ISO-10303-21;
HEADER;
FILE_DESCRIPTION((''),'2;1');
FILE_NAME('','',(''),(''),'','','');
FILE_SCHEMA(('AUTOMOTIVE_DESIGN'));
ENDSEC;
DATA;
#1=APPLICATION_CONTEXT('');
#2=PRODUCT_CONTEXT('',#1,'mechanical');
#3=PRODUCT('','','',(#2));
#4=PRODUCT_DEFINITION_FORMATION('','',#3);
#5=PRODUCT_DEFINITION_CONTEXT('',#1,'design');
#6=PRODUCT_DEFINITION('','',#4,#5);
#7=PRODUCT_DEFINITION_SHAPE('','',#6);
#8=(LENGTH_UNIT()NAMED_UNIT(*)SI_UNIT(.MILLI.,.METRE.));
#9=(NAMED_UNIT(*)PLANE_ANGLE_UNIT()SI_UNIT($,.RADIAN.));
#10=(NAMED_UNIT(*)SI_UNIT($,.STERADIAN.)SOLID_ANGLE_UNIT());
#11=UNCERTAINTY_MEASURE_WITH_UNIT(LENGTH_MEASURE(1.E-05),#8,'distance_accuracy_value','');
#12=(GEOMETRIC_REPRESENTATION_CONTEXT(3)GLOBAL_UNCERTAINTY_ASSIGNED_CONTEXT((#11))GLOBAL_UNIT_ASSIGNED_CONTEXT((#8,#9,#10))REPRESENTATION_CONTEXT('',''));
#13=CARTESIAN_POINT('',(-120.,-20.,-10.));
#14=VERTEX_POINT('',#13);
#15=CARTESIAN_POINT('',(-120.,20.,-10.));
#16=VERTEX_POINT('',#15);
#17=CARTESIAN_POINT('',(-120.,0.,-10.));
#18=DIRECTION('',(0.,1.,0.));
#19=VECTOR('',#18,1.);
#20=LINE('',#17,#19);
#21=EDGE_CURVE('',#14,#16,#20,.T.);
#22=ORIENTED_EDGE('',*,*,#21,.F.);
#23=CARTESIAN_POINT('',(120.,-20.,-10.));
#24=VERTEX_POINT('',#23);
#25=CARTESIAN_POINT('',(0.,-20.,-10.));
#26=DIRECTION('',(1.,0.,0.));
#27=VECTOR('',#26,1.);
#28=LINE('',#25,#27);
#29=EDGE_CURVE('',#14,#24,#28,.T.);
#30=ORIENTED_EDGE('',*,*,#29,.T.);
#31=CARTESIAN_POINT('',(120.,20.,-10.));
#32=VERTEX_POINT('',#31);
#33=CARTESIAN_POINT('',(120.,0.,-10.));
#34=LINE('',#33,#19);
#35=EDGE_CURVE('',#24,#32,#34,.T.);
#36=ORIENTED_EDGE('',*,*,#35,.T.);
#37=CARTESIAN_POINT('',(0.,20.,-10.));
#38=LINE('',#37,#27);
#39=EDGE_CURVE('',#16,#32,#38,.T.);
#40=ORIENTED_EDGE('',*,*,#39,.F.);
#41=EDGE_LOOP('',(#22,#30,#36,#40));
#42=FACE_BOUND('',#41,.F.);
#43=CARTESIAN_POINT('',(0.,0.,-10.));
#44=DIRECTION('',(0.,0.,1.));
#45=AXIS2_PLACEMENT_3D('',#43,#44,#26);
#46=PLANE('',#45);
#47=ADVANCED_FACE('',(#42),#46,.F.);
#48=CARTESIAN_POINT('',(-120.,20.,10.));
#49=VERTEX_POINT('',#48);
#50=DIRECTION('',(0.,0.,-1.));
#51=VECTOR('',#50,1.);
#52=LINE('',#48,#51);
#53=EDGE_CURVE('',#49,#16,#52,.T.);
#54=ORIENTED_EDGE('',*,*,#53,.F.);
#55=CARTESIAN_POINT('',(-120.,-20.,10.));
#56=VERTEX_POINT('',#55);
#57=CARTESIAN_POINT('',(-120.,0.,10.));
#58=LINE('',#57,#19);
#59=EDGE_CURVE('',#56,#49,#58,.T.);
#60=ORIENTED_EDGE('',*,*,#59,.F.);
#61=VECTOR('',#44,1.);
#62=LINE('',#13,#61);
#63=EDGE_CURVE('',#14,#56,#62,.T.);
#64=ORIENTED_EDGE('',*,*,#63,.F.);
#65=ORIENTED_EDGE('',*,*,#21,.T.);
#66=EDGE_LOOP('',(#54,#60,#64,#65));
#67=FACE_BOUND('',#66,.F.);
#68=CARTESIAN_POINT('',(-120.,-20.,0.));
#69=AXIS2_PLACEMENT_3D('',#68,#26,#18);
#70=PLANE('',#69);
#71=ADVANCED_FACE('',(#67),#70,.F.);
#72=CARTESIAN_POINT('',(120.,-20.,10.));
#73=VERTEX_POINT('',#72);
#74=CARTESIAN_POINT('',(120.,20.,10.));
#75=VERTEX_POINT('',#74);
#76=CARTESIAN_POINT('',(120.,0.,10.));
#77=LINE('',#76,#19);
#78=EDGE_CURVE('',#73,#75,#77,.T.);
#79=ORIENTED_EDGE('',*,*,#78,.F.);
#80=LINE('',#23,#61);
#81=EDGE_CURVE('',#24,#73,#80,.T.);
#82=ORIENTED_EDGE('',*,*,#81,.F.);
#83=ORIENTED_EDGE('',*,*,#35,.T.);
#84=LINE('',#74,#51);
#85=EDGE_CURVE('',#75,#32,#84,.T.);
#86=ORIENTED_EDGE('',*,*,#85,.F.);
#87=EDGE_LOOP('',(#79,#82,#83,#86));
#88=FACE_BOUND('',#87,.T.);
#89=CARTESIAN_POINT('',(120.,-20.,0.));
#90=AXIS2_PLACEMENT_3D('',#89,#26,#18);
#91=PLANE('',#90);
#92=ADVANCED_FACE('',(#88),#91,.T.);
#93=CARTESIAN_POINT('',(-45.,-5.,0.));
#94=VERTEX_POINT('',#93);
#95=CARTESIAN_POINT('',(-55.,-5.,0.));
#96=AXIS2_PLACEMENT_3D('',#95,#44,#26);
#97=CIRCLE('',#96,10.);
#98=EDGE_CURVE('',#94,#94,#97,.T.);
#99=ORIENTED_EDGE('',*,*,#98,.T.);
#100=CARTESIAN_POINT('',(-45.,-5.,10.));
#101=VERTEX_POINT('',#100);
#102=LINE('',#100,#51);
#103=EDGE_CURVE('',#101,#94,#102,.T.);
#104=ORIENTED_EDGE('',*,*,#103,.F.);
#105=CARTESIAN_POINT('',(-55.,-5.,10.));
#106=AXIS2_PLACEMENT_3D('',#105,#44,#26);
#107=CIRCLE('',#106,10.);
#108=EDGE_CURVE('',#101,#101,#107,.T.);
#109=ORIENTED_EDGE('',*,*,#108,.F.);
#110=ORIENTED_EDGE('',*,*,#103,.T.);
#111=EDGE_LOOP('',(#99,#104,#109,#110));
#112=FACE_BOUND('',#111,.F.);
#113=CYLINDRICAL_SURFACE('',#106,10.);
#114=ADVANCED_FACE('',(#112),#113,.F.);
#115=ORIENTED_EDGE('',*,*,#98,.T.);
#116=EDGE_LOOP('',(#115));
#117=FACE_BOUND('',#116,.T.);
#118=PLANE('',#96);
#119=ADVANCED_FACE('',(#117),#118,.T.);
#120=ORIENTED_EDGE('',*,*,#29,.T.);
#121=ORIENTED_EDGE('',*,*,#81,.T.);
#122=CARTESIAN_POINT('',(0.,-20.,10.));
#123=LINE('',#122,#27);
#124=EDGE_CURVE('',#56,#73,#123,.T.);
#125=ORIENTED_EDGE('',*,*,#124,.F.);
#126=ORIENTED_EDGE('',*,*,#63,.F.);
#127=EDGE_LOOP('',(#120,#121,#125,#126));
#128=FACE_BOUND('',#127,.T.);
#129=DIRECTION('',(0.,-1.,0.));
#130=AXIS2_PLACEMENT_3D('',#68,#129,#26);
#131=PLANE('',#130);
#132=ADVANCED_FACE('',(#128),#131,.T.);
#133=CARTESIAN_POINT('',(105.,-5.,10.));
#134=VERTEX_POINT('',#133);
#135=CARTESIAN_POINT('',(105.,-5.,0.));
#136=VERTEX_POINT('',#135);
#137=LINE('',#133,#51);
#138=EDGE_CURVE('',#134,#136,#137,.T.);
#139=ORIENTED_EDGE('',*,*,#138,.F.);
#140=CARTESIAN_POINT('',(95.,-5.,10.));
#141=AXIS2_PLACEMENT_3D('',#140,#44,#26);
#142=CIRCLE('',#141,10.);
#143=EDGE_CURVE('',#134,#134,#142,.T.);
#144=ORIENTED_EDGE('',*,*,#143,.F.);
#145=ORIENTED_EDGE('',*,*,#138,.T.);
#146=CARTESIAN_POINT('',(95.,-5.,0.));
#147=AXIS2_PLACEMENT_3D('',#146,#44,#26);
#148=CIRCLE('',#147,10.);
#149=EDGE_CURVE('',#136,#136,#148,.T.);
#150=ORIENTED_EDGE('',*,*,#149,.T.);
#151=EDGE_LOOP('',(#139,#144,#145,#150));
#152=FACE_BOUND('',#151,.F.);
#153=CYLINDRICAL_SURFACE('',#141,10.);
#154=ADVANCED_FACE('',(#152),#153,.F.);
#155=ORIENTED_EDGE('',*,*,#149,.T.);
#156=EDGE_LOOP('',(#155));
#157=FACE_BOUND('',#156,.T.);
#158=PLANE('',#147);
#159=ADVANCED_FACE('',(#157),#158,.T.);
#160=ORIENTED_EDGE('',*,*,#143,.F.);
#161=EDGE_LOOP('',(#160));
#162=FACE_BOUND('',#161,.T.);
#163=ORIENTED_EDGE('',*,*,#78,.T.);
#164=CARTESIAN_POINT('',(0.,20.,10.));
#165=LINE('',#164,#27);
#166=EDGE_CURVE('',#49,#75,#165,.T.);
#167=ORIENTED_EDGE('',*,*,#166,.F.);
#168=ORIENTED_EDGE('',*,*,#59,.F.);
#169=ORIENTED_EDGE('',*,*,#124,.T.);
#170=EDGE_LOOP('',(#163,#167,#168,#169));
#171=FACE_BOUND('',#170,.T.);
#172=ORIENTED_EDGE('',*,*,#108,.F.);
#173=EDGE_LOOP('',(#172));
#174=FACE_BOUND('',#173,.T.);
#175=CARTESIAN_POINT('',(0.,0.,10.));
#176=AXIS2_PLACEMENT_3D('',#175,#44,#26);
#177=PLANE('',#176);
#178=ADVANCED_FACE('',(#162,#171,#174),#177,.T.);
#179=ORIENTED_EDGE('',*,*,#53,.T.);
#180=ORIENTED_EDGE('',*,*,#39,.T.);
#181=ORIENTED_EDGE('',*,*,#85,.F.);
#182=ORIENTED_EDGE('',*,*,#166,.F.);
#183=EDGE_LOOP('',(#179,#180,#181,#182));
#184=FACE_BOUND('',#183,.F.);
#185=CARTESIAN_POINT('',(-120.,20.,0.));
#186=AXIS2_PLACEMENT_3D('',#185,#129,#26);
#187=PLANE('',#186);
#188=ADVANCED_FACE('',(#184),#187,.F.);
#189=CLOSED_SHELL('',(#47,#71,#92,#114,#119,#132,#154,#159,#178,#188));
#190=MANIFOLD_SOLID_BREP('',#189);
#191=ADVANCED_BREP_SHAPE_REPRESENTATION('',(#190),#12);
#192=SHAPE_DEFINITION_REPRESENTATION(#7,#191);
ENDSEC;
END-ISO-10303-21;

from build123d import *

# Parameters (mm, degrees)
F0_W     = 240
F0_H     = 40
F1_DEPTH = 10
F2_R     = 10
F3_DEPTH = 10


with BuildPart() as f1:
    # F0 (on Top) → F1 (new body, symmetric)
    with BuildSketch(Plane.XY):
        Rectangle(F0_W, F0_H)
    extrude(amount=F1_DEPTH, both=True)

    # F2 (on face) → F3 (cut)
    with BuildSketch(Plane.XY.offset(10)):
        with Locations((-55, -5)):
            Circle(F2_R)
        with Locations((95, -5)):
            Circle(F2_R)
    extrude(amount=-F3_DEPTH, mode=Mode.SUBTRACT)


solid = f1.part
